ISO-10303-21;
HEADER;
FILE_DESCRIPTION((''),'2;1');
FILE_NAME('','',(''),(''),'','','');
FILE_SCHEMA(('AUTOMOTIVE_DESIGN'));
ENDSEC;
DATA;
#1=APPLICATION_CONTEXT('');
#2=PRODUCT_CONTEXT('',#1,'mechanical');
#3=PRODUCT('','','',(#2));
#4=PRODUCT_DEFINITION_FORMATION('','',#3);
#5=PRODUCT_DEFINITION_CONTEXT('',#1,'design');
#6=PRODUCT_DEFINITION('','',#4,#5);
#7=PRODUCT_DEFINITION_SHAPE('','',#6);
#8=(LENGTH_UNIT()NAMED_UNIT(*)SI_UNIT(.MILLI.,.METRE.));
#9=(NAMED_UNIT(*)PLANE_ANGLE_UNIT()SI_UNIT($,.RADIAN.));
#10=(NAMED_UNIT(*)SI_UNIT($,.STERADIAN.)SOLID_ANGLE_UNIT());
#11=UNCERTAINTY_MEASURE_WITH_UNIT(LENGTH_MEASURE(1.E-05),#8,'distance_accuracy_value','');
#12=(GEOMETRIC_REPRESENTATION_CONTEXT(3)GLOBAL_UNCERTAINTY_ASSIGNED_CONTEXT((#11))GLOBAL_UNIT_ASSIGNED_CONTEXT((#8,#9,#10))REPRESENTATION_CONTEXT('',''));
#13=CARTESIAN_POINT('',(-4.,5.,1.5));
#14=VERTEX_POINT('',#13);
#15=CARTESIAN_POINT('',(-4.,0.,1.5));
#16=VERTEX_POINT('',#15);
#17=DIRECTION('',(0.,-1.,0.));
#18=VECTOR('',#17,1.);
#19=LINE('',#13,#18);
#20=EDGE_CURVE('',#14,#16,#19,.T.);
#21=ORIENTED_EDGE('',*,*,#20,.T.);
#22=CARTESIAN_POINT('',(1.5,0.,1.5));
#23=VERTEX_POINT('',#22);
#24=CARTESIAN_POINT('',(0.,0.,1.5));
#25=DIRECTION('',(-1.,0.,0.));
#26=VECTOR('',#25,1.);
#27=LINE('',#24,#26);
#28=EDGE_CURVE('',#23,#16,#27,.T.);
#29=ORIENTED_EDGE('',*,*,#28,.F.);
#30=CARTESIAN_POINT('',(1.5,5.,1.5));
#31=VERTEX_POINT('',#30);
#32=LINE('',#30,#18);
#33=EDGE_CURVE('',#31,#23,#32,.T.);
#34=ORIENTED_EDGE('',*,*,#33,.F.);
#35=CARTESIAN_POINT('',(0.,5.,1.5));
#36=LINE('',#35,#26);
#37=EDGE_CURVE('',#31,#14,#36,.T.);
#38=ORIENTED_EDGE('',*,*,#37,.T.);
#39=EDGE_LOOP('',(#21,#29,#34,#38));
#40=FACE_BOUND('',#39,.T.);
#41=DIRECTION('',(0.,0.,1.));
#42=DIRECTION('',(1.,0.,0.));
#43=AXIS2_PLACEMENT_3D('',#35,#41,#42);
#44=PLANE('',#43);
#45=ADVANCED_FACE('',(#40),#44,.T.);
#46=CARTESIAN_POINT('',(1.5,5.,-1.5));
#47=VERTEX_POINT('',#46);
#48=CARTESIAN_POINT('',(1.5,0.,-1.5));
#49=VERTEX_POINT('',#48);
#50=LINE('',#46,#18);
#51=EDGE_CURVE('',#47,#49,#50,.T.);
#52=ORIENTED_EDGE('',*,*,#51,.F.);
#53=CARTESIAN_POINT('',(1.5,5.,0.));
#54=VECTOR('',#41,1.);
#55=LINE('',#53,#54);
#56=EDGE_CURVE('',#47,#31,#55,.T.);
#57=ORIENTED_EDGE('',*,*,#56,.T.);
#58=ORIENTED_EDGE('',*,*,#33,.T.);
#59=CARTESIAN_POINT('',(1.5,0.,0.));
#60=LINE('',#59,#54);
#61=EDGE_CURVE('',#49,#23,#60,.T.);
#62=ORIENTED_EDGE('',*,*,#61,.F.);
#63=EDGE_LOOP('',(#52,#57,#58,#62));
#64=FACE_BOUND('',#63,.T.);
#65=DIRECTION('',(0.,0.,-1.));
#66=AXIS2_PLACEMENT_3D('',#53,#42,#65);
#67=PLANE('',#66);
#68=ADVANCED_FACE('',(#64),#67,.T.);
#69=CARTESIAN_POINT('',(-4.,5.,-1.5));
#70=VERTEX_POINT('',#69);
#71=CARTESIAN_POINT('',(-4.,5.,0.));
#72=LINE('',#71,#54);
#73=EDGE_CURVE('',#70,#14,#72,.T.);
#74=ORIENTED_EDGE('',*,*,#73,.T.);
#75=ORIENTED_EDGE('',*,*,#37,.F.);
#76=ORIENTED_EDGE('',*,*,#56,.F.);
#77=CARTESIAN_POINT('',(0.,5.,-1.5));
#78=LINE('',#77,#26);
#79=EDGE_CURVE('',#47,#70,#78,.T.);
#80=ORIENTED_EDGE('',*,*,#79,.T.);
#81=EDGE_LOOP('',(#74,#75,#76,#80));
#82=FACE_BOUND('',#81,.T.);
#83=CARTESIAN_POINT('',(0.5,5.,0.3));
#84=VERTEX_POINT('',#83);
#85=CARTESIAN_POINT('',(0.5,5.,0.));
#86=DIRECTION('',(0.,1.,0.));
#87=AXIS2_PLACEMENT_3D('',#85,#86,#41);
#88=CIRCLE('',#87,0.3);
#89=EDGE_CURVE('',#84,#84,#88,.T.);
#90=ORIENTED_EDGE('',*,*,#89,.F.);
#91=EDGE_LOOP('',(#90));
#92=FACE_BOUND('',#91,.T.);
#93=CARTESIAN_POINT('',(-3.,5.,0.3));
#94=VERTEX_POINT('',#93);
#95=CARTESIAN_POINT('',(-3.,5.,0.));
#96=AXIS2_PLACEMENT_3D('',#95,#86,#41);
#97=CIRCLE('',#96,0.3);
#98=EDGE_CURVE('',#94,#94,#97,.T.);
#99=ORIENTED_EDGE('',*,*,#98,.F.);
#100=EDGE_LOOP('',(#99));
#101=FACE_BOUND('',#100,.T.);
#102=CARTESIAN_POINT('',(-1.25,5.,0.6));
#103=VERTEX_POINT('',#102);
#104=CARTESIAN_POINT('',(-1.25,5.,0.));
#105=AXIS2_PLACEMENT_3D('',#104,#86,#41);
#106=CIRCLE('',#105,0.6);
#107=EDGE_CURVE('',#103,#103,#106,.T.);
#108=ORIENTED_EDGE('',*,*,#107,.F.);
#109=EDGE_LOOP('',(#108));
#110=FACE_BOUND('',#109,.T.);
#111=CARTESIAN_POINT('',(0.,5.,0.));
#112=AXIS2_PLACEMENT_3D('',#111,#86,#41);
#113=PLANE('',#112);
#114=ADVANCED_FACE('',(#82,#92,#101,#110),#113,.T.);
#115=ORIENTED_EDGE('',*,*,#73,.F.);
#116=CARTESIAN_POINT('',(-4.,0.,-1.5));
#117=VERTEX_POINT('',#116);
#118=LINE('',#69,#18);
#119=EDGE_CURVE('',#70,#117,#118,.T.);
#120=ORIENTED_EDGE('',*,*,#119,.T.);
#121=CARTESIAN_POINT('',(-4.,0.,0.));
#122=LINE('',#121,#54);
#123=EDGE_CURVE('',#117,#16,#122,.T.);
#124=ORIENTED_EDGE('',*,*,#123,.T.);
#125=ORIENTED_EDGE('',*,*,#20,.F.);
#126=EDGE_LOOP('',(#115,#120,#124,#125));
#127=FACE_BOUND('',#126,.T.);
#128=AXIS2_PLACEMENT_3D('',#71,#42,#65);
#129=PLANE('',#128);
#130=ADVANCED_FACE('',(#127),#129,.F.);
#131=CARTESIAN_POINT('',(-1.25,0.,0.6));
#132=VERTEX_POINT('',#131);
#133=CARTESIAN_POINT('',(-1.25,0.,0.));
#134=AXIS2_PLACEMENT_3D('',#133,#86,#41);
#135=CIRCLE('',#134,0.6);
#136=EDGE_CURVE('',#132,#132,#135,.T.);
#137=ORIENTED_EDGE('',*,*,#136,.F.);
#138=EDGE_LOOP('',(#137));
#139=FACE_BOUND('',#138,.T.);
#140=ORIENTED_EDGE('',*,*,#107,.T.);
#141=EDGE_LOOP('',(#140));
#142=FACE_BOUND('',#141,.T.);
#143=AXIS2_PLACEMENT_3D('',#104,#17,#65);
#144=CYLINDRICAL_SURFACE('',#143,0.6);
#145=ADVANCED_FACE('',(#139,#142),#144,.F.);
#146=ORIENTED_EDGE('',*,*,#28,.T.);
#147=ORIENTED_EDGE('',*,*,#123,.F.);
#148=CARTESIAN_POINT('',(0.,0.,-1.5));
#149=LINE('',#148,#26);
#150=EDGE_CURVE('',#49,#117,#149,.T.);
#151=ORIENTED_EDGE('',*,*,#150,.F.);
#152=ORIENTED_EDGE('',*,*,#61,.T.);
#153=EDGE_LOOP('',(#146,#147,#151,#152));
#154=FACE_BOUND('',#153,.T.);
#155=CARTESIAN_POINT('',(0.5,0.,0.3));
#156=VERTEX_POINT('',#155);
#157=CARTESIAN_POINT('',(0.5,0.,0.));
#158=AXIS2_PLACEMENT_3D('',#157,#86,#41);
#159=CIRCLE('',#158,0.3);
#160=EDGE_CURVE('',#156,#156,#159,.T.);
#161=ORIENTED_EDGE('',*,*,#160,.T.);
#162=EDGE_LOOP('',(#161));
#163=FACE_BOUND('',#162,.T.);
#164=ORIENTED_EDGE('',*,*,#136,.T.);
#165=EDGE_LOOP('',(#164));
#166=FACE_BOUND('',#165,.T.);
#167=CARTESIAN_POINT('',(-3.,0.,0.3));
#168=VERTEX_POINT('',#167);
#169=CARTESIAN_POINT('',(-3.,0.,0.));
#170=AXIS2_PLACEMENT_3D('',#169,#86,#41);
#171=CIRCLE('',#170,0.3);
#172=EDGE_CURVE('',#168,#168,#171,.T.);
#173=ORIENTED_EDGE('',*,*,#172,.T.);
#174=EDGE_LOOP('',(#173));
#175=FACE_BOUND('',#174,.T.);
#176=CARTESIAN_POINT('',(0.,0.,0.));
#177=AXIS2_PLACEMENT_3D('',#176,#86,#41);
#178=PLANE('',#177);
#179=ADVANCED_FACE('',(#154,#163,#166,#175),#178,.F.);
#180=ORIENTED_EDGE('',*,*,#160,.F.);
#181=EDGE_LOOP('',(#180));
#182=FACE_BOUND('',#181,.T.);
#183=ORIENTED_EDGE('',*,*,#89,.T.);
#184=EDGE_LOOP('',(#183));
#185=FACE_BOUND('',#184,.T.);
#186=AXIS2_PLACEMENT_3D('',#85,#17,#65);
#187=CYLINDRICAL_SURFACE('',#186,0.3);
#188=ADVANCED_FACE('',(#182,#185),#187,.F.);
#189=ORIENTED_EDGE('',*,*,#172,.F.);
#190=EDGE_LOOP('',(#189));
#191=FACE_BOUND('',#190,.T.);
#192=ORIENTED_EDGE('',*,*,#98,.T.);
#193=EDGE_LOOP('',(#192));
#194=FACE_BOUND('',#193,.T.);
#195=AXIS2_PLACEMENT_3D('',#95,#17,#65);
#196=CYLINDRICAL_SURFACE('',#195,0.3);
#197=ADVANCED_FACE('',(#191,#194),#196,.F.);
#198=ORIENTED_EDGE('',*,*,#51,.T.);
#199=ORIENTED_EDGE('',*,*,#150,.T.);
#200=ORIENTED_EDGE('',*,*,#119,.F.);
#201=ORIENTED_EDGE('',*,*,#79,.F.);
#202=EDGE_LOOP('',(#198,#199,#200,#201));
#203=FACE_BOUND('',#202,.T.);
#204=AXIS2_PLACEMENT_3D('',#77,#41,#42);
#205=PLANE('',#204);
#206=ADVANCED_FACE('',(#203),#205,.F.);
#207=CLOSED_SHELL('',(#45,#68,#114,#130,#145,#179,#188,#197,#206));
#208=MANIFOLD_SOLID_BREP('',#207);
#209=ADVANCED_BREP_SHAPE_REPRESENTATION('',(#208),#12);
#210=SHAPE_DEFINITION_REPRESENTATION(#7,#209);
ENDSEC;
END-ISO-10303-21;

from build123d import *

# Parameters (mm, degrees)
SKETCH1_W           = 5.5
SKETCH1_H           = 3
SKETCH1_R           = 0.6
SKETCH1_R_2         = 0.3
BOSS_EXTRUDE1_DEPTH = 5


with BuildPart() as part:
    # Sketch1 → Boss-Extrude1 (new body)
    with BuildSketch(Plane(origin=(0, 0, 0), x_dir=(1, 0, 0), z_dir=(0, 1, 0))):
        with Locations((-1.25, 0)):
            Rectangle(SKETCH1_W, SKETCH1_H)
        with Locations(Location((-1.25, 0, 0), (0, 0, 270))):
            Circle(SKETCH1_R, mode=Mode.SUBTRACT)
        with Locations(Location((-3, 0, 0), (0, 0, 270))):
            Circle(SKETCH1_R_2, mode=Mode.SUBTRACT)
        with Locations(Location((0.5, 0, 0), (0, 0, 270))):
            Circle(SKETCH1_R_2, mode=Mode.SUBTRACT)
    extrude(amount=BOSS_EXTRUDE1_DEPTH)


solid = part.part
